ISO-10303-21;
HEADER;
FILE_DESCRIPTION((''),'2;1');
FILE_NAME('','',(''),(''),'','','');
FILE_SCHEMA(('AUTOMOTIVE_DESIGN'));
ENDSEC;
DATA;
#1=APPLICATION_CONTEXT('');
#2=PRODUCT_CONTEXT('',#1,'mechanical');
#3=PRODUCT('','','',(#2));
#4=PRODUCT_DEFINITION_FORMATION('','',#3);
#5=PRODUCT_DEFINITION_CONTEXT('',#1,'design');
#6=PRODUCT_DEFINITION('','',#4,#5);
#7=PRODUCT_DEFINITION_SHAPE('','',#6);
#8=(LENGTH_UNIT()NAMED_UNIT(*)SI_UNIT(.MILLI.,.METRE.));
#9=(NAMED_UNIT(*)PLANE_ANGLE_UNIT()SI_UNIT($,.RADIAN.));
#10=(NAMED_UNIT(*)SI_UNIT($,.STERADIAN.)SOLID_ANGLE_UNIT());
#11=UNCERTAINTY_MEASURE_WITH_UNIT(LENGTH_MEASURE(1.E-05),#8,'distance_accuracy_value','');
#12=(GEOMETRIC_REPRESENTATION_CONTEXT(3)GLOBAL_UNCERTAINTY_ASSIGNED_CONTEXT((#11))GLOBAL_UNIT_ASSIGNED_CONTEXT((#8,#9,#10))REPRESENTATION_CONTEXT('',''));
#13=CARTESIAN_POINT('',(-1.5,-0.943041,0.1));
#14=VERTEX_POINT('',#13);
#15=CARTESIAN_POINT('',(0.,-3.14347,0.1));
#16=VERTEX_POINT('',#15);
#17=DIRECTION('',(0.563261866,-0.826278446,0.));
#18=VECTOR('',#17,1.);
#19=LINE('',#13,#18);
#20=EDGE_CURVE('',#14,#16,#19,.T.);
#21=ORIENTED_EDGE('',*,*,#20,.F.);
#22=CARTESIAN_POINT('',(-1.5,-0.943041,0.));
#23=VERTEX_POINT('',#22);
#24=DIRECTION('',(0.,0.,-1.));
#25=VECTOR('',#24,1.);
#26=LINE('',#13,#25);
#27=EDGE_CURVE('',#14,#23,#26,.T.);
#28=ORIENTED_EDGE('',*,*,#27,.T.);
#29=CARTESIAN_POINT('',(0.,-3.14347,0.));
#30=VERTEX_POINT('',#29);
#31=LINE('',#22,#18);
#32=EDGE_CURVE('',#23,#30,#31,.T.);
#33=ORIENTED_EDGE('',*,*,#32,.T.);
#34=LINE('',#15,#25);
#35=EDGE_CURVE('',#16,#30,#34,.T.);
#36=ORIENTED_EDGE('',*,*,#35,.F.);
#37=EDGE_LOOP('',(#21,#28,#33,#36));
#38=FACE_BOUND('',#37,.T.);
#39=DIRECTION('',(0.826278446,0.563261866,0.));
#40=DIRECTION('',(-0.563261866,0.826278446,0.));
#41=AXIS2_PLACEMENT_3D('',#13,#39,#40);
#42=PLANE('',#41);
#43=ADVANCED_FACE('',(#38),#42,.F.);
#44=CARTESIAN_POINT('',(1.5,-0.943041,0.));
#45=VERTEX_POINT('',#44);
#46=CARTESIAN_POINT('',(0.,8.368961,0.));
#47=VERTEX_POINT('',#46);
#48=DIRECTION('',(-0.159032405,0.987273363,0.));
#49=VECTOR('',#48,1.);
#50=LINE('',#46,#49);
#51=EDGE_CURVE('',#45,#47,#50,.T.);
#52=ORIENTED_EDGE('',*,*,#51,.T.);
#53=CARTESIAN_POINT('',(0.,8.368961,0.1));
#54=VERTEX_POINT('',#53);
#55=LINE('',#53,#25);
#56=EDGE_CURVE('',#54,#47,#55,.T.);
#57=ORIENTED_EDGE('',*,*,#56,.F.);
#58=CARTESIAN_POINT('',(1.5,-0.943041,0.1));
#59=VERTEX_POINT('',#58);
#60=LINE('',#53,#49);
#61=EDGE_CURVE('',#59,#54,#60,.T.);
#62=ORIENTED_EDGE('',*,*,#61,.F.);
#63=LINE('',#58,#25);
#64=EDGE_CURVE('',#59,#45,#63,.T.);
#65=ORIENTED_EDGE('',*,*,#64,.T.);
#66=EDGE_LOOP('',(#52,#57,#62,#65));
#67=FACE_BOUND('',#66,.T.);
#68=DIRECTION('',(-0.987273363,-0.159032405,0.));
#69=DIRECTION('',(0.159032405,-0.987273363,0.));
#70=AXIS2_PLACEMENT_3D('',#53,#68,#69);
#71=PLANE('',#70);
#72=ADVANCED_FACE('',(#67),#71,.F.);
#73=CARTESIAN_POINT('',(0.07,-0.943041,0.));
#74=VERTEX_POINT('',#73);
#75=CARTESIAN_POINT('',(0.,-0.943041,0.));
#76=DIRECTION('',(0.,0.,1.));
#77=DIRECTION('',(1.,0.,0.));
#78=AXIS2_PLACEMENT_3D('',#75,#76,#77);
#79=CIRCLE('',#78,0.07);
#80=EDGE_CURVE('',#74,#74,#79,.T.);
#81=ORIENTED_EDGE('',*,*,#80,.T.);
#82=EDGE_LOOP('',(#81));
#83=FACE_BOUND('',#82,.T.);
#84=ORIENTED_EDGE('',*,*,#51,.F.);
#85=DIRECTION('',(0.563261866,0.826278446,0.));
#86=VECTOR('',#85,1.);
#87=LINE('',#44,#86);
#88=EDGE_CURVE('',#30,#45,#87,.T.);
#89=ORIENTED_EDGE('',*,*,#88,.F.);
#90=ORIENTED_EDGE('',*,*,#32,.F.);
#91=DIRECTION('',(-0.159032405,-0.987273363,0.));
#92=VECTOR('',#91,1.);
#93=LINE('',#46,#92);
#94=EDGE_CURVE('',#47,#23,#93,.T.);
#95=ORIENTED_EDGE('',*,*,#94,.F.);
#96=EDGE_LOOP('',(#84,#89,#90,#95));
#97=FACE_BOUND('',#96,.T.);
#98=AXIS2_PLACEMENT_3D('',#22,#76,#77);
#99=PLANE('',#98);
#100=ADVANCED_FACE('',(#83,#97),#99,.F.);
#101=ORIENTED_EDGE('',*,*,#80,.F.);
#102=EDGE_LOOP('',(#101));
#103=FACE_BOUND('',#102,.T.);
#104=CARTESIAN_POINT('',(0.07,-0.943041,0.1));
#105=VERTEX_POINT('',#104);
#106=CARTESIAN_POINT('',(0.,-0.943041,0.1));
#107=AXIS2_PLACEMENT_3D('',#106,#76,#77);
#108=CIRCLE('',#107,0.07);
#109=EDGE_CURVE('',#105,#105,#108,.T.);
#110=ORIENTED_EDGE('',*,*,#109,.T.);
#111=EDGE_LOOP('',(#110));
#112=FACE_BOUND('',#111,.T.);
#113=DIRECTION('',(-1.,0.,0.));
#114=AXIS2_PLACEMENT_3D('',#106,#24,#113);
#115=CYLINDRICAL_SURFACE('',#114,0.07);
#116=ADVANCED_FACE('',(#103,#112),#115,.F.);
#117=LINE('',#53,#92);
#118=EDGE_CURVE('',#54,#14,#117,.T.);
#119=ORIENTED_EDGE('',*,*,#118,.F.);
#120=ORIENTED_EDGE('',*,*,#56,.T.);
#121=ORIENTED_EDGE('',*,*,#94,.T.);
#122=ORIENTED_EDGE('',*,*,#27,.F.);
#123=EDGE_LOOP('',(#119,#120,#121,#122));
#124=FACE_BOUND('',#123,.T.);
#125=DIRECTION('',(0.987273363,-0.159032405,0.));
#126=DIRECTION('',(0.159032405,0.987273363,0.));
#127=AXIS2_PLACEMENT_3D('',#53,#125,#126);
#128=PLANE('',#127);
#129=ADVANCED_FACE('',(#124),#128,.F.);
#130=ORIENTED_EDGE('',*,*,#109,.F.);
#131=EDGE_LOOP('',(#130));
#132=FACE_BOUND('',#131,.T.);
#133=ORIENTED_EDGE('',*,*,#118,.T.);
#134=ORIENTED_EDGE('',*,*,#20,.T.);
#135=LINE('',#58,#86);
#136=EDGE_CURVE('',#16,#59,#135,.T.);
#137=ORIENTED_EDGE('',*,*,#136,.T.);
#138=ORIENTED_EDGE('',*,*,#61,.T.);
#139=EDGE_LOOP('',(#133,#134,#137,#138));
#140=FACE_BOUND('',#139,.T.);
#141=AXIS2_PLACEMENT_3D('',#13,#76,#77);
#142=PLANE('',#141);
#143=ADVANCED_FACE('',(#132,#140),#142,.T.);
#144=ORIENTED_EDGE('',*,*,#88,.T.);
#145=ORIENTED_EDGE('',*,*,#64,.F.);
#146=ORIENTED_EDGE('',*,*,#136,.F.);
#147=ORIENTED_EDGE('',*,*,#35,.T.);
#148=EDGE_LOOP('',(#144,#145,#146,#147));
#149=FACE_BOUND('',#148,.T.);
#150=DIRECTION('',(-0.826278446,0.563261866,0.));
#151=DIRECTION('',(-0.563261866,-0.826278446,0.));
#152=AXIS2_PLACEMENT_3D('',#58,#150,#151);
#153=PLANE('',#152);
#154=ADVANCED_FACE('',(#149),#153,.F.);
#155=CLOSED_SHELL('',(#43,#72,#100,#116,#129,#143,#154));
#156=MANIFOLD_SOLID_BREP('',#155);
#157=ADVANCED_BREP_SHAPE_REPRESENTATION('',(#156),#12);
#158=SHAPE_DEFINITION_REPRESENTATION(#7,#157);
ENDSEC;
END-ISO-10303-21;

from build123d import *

# Parameters (mm, degrees)
SKETCH1_R           = 0.07
BOSS_EXTRUDE1_DEPTH = 0.1


with BuildPart() as part:
    # Sketch1 → Boss-Extrude1 (new body)
    with BuildSketch(Plane.XY):
        Polygon((0, 8.368960878), (1.5, -0.943040942), (0, -3.143469808), (-1.5, -0.943040942), align=None)
        with Locations((0, -0.943040942)):
            Circle(SKETCH1_R, mode=Mode.SUBTRACT)
    extrude(amount=BOSS_EXTRUDE1_DEPTH)


solid = part.part
